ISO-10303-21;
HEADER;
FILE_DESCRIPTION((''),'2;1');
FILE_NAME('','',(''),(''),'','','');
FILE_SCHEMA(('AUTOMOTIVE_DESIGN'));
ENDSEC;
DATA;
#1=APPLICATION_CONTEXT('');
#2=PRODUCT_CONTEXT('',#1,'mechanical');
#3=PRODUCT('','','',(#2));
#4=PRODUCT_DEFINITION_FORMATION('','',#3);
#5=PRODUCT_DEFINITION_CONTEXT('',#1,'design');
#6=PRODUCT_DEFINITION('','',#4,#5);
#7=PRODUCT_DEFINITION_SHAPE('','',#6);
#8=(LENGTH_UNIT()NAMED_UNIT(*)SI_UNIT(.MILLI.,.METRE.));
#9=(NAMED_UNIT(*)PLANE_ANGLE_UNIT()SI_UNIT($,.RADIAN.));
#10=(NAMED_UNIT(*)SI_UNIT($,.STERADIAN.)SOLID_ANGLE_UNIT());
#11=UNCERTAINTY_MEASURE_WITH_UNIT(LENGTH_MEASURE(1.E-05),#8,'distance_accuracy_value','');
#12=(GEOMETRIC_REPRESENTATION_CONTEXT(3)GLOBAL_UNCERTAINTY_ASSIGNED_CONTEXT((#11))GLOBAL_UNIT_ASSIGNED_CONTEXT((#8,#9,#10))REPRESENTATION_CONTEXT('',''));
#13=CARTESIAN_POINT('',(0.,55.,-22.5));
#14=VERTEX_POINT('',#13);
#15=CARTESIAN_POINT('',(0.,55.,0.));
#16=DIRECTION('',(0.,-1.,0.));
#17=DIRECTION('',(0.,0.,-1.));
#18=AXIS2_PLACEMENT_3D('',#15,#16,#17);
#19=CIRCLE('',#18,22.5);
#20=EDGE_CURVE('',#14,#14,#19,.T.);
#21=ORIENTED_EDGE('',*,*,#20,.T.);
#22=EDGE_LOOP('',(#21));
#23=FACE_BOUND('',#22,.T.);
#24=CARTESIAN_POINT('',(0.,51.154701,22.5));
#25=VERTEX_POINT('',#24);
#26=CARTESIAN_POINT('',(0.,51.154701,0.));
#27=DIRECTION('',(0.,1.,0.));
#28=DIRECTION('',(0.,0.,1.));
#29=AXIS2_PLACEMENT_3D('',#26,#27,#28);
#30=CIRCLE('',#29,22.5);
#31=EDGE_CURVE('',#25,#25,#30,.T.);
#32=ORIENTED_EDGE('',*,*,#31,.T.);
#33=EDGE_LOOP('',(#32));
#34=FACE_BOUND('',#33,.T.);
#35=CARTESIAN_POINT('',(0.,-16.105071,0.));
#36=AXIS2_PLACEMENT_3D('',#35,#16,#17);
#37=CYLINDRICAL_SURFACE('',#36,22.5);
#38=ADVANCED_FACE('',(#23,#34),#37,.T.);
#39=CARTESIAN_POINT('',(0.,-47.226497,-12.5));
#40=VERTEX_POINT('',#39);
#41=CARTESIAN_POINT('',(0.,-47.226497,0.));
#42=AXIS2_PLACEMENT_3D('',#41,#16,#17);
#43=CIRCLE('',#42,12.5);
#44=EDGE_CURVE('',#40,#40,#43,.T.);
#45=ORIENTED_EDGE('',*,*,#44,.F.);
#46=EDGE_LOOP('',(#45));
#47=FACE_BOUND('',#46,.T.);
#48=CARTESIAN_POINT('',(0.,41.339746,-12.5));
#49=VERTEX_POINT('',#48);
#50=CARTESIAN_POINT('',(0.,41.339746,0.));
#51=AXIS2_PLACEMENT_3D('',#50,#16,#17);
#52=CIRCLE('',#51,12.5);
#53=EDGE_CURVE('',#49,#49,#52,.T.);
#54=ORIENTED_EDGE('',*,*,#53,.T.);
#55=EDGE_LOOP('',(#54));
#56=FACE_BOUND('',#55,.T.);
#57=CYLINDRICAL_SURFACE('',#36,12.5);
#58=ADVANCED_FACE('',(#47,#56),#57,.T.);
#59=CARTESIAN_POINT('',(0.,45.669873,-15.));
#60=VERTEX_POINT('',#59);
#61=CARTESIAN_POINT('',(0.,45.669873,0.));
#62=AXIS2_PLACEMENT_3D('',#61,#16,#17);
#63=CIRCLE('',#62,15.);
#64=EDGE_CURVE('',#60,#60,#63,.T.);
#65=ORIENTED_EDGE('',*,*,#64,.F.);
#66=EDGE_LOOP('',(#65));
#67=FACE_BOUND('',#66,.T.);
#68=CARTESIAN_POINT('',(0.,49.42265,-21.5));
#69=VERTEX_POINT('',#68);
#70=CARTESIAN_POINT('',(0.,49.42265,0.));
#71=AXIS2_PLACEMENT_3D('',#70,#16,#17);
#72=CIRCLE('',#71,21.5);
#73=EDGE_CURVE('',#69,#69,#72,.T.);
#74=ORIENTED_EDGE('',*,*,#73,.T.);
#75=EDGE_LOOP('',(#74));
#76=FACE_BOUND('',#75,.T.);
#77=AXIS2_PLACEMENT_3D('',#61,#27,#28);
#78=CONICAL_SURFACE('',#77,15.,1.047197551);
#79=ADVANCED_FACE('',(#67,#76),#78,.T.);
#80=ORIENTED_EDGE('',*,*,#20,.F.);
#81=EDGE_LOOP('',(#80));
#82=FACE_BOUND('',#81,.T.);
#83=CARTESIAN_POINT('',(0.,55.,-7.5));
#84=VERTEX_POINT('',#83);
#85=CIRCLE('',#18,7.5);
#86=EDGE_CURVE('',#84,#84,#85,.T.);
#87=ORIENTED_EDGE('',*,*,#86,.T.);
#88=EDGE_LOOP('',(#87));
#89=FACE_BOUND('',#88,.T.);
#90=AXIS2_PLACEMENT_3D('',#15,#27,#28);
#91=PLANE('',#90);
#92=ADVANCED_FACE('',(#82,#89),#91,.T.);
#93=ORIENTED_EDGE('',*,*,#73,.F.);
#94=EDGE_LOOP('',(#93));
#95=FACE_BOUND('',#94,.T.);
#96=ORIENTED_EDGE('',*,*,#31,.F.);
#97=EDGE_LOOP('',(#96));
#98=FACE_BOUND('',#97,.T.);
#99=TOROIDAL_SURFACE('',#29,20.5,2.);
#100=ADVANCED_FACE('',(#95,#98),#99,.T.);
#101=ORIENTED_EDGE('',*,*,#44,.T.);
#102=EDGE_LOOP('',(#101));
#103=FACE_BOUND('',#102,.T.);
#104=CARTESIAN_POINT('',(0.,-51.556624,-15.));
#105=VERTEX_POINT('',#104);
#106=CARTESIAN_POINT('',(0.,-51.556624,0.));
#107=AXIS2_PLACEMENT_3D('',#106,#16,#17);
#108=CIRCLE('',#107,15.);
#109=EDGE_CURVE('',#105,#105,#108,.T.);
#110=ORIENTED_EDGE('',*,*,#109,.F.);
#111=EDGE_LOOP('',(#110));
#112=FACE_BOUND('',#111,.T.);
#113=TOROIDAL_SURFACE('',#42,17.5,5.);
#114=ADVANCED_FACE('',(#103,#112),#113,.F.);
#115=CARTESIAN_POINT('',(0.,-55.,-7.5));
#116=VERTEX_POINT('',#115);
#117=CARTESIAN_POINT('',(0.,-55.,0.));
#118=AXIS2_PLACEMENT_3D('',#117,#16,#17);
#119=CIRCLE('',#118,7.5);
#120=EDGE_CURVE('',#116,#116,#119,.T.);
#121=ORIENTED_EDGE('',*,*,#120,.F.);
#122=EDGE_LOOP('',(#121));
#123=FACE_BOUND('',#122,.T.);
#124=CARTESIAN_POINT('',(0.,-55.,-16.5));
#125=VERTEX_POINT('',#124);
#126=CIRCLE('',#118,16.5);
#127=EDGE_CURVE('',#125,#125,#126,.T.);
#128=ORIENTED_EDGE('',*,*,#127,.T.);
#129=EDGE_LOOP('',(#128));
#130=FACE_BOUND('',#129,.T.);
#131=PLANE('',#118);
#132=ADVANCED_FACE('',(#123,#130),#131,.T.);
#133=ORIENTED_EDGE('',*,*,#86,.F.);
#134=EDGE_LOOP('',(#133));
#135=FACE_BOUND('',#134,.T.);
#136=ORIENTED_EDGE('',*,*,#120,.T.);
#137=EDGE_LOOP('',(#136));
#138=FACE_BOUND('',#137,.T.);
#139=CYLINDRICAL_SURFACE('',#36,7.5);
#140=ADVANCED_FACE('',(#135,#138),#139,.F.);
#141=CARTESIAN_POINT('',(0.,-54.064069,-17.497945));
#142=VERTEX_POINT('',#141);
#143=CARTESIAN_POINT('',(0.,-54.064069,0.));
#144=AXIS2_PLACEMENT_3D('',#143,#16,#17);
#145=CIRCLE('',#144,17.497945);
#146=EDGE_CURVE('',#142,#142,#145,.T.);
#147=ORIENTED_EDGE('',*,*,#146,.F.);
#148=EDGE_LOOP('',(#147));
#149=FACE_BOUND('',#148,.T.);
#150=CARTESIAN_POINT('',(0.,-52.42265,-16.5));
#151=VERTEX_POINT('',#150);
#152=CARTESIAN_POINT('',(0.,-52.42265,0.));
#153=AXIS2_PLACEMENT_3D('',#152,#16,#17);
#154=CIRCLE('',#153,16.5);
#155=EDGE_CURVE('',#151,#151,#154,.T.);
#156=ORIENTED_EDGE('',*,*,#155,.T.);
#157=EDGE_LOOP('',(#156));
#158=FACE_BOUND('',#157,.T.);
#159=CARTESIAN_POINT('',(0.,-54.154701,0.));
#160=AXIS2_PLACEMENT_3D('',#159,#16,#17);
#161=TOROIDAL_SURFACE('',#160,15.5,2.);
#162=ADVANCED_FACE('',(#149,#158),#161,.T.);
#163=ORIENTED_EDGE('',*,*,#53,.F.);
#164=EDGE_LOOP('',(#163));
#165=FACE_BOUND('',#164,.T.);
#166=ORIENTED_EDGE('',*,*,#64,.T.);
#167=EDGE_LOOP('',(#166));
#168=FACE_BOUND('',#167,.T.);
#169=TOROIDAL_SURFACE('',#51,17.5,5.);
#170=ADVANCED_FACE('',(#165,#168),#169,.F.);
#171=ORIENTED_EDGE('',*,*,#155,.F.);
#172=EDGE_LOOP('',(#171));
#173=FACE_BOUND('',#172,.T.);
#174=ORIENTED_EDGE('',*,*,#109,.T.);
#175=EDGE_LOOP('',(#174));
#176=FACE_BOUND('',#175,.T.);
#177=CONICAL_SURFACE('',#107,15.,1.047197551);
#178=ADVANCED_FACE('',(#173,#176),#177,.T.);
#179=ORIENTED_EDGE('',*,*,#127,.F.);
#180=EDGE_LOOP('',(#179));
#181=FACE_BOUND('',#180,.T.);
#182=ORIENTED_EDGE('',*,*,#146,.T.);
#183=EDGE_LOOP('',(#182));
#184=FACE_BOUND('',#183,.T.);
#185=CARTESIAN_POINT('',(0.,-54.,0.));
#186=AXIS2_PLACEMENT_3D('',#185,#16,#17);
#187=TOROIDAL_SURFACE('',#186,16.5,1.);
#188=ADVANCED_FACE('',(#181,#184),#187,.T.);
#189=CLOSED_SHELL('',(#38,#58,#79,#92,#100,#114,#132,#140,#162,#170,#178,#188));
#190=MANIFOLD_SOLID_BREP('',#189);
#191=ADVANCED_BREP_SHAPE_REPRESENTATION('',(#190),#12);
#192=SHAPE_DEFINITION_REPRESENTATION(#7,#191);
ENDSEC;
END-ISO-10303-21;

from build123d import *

# Parameters (mm, degrees)
FILLET1_R = 2


with BuildPart() as part:
    # Sketch1 → Revolve1 (revolve)
    with BuildSketch(Plane.YZ, mode=Mode.PRIVATE) as revolve1_sk:
        with BuildLine():
            Line((41.339745962, 12.5), (0, 12.5))
            Line((0, 12.5), (-47.226497308, 12.5))
            ThreePointArc((-47.226497308, 12.5), (-49.726497308, 13.169872981), (-51.556624327, 15))
            Line((-51.556624327, 15), (-52.422649731, 16.5))
            ThreePointArc((-52.422649731, 16.5), (-52.93730682, 17.086805764), (-53.637376906, 17.431935884))
            ThreePointArc((-53.637376906, 17.431935884), (-53.848936639, 17.476488917), (-54.064069414, 17.497945445))
            ThreePointArc((-54.064069414, 17.497945445), (-54.729407093, 17.184079888), (-55, 16.5))
            Line((-55, 16.5), (-55, 7.5))
            Line((-55, 7.5), (55, 7.5))
            Line((55, 7.5), (55, 22.5))
            Line((55, 22.5), (50, 22.5))
            Line((50, 22.5), (45.669872981, 15))
            ThreePointArc((45.669872981, 15), (43.839745962, 13.169872981), (41.339745962, 12.5))
        make_face()
    revolve(revolve1_sk.sketch.rotate(Axis((0, -16.105071473, 0), (0, 1, 0)), 180), axis=Axis((0, -16.105071473, 0), (0, 1, 0)))

    # Fillet1
    fillet1_edges = [part.edges().sort_by_distance(p)[0] for p in [
        (0, 50, 22.5),
    ]]
    fillet(fillet1_edges, radius=FILLET1_R)


solid = part.part
